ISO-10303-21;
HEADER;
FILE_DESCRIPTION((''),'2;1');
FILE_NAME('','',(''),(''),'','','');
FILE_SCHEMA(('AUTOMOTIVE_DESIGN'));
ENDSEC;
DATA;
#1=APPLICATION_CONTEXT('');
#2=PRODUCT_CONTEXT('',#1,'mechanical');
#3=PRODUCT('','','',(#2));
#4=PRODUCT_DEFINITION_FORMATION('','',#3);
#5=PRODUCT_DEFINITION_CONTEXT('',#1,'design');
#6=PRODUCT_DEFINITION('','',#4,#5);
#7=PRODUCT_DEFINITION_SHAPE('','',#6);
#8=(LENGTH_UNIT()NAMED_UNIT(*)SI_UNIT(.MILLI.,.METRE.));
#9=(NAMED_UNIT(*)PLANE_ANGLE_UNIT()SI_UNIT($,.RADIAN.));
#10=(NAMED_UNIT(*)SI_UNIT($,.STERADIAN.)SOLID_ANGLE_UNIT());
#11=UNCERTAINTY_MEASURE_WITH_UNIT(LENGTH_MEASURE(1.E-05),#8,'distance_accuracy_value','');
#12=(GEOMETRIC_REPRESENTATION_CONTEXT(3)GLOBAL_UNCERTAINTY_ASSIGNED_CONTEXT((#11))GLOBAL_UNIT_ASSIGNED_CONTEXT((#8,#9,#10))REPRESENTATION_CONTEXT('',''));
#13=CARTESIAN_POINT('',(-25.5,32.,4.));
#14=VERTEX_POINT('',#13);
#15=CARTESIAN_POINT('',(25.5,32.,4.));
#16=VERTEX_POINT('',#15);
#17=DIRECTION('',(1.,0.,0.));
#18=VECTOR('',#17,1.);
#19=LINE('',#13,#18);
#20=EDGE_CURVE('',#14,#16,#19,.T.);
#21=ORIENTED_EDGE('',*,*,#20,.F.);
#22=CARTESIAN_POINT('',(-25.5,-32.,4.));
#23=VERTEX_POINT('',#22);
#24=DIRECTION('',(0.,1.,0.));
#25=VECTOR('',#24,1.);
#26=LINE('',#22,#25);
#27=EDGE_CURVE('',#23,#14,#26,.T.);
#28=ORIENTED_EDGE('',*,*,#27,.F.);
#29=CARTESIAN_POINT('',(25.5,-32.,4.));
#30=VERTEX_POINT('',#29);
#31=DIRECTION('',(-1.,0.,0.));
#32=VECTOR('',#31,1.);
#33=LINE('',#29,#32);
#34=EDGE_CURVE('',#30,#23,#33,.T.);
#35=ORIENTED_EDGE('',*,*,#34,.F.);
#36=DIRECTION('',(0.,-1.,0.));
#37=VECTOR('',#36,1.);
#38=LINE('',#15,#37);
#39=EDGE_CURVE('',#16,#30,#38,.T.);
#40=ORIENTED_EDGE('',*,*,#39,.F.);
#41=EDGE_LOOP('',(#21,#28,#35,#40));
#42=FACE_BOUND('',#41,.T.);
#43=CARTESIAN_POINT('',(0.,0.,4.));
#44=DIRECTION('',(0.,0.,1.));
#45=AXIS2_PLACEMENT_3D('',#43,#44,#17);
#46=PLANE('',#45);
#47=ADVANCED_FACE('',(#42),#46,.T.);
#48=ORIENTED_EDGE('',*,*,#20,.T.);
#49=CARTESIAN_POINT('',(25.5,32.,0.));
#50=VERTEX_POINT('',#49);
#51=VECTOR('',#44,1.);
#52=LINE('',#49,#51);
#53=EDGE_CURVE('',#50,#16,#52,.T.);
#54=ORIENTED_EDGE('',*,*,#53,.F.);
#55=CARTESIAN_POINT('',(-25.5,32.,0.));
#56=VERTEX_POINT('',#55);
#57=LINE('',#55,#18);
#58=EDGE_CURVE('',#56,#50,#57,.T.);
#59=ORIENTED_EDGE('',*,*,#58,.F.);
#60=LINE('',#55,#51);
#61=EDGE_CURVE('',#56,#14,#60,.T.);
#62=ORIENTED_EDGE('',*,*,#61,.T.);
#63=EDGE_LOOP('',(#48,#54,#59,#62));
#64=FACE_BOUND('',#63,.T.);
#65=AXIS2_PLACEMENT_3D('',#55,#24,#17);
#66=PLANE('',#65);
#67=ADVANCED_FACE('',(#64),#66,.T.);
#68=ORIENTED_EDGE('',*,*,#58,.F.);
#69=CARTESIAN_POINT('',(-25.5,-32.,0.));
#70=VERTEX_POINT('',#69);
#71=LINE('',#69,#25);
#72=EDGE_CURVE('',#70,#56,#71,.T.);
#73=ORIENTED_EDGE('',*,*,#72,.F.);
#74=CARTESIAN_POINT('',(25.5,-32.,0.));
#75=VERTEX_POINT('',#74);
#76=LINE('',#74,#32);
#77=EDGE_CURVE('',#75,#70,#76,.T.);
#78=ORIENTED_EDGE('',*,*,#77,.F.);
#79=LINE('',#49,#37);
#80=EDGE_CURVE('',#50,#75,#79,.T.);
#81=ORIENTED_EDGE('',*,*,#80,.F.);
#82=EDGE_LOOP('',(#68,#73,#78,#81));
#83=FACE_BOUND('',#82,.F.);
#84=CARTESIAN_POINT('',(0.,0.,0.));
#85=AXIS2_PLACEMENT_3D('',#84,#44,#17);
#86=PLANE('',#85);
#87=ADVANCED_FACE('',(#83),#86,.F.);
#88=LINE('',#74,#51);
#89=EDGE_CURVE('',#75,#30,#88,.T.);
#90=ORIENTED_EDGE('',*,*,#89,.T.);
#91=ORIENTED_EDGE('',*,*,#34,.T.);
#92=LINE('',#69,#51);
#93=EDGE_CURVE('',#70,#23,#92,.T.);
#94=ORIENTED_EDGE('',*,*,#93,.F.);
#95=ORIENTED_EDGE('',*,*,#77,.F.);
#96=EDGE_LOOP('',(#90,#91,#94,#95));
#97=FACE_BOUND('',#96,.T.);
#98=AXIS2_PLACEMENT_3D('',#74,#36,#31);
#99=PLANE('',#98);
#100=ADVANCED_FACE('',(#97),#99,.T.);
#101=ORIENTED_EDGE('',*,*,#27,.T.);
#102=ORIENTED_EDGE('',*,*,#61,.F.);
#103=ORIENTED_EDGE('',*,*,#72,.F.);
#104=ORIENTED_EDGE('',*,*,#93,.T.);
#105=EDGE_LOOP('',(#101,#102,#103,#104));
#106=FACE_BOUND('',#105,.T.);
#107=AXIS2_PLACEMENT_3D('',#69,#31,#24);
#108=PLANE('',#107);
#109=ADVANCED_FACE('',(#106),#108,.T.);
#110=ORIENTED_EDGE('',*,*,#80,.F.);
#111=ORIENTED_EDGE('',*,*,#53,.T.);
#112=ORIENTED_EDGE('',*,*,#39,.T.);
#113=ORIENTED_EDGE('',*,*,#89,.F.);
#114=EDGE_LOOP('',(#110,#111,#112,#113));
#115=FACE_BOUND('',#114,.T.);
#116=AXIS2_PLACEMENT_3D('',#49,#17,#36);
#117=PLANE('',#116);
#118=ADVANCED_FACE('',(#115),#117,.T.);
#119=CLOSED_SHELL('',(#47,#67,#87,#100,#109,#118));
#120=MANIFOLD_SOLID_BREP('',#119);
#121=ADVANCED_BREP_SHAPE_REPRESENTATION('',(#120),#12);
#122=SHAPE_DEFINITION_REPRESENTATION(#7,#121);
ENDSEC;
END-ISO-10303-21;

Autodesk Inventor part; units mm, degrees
ref_plane "YZ Plane" through (0, 0, 0) normal (1, 0, 0) x (0, 1, 0)
ref_plane "XZ Plane" through (0, 0, 0) normal (0, 1, 0) x (-1, 0, 0)
ref_plane "XY Plane" through (0, 0, 0) normal (0, 0, 1) x (1, 0, 0)
sketch "Skizze1" plane through (0, 0, 0) normal (0, 0, 1) x (1, 0, 0)
  line L0 (-25.5, 32) -> (25.5, 32)
  line L1 (25.5, 32) -> (25.5, -32)
  line L2 (25.5, -32) -> (-25.5, -32)
  line L3 (-25.5, -32) -> (-25.5, 32)
  line L4 (-25.5, 32) -> (25.5, -32) construction
  line L5 (25.5, 32) -> (-25.5, -32) construction
  point P0 (0, 0)
  dimension "d0" = 51
  dimension "d1" = 64
extrude "Extrusion1" add sketch "Skizze1" along normal blind 4
properties part number "Tastatur"
